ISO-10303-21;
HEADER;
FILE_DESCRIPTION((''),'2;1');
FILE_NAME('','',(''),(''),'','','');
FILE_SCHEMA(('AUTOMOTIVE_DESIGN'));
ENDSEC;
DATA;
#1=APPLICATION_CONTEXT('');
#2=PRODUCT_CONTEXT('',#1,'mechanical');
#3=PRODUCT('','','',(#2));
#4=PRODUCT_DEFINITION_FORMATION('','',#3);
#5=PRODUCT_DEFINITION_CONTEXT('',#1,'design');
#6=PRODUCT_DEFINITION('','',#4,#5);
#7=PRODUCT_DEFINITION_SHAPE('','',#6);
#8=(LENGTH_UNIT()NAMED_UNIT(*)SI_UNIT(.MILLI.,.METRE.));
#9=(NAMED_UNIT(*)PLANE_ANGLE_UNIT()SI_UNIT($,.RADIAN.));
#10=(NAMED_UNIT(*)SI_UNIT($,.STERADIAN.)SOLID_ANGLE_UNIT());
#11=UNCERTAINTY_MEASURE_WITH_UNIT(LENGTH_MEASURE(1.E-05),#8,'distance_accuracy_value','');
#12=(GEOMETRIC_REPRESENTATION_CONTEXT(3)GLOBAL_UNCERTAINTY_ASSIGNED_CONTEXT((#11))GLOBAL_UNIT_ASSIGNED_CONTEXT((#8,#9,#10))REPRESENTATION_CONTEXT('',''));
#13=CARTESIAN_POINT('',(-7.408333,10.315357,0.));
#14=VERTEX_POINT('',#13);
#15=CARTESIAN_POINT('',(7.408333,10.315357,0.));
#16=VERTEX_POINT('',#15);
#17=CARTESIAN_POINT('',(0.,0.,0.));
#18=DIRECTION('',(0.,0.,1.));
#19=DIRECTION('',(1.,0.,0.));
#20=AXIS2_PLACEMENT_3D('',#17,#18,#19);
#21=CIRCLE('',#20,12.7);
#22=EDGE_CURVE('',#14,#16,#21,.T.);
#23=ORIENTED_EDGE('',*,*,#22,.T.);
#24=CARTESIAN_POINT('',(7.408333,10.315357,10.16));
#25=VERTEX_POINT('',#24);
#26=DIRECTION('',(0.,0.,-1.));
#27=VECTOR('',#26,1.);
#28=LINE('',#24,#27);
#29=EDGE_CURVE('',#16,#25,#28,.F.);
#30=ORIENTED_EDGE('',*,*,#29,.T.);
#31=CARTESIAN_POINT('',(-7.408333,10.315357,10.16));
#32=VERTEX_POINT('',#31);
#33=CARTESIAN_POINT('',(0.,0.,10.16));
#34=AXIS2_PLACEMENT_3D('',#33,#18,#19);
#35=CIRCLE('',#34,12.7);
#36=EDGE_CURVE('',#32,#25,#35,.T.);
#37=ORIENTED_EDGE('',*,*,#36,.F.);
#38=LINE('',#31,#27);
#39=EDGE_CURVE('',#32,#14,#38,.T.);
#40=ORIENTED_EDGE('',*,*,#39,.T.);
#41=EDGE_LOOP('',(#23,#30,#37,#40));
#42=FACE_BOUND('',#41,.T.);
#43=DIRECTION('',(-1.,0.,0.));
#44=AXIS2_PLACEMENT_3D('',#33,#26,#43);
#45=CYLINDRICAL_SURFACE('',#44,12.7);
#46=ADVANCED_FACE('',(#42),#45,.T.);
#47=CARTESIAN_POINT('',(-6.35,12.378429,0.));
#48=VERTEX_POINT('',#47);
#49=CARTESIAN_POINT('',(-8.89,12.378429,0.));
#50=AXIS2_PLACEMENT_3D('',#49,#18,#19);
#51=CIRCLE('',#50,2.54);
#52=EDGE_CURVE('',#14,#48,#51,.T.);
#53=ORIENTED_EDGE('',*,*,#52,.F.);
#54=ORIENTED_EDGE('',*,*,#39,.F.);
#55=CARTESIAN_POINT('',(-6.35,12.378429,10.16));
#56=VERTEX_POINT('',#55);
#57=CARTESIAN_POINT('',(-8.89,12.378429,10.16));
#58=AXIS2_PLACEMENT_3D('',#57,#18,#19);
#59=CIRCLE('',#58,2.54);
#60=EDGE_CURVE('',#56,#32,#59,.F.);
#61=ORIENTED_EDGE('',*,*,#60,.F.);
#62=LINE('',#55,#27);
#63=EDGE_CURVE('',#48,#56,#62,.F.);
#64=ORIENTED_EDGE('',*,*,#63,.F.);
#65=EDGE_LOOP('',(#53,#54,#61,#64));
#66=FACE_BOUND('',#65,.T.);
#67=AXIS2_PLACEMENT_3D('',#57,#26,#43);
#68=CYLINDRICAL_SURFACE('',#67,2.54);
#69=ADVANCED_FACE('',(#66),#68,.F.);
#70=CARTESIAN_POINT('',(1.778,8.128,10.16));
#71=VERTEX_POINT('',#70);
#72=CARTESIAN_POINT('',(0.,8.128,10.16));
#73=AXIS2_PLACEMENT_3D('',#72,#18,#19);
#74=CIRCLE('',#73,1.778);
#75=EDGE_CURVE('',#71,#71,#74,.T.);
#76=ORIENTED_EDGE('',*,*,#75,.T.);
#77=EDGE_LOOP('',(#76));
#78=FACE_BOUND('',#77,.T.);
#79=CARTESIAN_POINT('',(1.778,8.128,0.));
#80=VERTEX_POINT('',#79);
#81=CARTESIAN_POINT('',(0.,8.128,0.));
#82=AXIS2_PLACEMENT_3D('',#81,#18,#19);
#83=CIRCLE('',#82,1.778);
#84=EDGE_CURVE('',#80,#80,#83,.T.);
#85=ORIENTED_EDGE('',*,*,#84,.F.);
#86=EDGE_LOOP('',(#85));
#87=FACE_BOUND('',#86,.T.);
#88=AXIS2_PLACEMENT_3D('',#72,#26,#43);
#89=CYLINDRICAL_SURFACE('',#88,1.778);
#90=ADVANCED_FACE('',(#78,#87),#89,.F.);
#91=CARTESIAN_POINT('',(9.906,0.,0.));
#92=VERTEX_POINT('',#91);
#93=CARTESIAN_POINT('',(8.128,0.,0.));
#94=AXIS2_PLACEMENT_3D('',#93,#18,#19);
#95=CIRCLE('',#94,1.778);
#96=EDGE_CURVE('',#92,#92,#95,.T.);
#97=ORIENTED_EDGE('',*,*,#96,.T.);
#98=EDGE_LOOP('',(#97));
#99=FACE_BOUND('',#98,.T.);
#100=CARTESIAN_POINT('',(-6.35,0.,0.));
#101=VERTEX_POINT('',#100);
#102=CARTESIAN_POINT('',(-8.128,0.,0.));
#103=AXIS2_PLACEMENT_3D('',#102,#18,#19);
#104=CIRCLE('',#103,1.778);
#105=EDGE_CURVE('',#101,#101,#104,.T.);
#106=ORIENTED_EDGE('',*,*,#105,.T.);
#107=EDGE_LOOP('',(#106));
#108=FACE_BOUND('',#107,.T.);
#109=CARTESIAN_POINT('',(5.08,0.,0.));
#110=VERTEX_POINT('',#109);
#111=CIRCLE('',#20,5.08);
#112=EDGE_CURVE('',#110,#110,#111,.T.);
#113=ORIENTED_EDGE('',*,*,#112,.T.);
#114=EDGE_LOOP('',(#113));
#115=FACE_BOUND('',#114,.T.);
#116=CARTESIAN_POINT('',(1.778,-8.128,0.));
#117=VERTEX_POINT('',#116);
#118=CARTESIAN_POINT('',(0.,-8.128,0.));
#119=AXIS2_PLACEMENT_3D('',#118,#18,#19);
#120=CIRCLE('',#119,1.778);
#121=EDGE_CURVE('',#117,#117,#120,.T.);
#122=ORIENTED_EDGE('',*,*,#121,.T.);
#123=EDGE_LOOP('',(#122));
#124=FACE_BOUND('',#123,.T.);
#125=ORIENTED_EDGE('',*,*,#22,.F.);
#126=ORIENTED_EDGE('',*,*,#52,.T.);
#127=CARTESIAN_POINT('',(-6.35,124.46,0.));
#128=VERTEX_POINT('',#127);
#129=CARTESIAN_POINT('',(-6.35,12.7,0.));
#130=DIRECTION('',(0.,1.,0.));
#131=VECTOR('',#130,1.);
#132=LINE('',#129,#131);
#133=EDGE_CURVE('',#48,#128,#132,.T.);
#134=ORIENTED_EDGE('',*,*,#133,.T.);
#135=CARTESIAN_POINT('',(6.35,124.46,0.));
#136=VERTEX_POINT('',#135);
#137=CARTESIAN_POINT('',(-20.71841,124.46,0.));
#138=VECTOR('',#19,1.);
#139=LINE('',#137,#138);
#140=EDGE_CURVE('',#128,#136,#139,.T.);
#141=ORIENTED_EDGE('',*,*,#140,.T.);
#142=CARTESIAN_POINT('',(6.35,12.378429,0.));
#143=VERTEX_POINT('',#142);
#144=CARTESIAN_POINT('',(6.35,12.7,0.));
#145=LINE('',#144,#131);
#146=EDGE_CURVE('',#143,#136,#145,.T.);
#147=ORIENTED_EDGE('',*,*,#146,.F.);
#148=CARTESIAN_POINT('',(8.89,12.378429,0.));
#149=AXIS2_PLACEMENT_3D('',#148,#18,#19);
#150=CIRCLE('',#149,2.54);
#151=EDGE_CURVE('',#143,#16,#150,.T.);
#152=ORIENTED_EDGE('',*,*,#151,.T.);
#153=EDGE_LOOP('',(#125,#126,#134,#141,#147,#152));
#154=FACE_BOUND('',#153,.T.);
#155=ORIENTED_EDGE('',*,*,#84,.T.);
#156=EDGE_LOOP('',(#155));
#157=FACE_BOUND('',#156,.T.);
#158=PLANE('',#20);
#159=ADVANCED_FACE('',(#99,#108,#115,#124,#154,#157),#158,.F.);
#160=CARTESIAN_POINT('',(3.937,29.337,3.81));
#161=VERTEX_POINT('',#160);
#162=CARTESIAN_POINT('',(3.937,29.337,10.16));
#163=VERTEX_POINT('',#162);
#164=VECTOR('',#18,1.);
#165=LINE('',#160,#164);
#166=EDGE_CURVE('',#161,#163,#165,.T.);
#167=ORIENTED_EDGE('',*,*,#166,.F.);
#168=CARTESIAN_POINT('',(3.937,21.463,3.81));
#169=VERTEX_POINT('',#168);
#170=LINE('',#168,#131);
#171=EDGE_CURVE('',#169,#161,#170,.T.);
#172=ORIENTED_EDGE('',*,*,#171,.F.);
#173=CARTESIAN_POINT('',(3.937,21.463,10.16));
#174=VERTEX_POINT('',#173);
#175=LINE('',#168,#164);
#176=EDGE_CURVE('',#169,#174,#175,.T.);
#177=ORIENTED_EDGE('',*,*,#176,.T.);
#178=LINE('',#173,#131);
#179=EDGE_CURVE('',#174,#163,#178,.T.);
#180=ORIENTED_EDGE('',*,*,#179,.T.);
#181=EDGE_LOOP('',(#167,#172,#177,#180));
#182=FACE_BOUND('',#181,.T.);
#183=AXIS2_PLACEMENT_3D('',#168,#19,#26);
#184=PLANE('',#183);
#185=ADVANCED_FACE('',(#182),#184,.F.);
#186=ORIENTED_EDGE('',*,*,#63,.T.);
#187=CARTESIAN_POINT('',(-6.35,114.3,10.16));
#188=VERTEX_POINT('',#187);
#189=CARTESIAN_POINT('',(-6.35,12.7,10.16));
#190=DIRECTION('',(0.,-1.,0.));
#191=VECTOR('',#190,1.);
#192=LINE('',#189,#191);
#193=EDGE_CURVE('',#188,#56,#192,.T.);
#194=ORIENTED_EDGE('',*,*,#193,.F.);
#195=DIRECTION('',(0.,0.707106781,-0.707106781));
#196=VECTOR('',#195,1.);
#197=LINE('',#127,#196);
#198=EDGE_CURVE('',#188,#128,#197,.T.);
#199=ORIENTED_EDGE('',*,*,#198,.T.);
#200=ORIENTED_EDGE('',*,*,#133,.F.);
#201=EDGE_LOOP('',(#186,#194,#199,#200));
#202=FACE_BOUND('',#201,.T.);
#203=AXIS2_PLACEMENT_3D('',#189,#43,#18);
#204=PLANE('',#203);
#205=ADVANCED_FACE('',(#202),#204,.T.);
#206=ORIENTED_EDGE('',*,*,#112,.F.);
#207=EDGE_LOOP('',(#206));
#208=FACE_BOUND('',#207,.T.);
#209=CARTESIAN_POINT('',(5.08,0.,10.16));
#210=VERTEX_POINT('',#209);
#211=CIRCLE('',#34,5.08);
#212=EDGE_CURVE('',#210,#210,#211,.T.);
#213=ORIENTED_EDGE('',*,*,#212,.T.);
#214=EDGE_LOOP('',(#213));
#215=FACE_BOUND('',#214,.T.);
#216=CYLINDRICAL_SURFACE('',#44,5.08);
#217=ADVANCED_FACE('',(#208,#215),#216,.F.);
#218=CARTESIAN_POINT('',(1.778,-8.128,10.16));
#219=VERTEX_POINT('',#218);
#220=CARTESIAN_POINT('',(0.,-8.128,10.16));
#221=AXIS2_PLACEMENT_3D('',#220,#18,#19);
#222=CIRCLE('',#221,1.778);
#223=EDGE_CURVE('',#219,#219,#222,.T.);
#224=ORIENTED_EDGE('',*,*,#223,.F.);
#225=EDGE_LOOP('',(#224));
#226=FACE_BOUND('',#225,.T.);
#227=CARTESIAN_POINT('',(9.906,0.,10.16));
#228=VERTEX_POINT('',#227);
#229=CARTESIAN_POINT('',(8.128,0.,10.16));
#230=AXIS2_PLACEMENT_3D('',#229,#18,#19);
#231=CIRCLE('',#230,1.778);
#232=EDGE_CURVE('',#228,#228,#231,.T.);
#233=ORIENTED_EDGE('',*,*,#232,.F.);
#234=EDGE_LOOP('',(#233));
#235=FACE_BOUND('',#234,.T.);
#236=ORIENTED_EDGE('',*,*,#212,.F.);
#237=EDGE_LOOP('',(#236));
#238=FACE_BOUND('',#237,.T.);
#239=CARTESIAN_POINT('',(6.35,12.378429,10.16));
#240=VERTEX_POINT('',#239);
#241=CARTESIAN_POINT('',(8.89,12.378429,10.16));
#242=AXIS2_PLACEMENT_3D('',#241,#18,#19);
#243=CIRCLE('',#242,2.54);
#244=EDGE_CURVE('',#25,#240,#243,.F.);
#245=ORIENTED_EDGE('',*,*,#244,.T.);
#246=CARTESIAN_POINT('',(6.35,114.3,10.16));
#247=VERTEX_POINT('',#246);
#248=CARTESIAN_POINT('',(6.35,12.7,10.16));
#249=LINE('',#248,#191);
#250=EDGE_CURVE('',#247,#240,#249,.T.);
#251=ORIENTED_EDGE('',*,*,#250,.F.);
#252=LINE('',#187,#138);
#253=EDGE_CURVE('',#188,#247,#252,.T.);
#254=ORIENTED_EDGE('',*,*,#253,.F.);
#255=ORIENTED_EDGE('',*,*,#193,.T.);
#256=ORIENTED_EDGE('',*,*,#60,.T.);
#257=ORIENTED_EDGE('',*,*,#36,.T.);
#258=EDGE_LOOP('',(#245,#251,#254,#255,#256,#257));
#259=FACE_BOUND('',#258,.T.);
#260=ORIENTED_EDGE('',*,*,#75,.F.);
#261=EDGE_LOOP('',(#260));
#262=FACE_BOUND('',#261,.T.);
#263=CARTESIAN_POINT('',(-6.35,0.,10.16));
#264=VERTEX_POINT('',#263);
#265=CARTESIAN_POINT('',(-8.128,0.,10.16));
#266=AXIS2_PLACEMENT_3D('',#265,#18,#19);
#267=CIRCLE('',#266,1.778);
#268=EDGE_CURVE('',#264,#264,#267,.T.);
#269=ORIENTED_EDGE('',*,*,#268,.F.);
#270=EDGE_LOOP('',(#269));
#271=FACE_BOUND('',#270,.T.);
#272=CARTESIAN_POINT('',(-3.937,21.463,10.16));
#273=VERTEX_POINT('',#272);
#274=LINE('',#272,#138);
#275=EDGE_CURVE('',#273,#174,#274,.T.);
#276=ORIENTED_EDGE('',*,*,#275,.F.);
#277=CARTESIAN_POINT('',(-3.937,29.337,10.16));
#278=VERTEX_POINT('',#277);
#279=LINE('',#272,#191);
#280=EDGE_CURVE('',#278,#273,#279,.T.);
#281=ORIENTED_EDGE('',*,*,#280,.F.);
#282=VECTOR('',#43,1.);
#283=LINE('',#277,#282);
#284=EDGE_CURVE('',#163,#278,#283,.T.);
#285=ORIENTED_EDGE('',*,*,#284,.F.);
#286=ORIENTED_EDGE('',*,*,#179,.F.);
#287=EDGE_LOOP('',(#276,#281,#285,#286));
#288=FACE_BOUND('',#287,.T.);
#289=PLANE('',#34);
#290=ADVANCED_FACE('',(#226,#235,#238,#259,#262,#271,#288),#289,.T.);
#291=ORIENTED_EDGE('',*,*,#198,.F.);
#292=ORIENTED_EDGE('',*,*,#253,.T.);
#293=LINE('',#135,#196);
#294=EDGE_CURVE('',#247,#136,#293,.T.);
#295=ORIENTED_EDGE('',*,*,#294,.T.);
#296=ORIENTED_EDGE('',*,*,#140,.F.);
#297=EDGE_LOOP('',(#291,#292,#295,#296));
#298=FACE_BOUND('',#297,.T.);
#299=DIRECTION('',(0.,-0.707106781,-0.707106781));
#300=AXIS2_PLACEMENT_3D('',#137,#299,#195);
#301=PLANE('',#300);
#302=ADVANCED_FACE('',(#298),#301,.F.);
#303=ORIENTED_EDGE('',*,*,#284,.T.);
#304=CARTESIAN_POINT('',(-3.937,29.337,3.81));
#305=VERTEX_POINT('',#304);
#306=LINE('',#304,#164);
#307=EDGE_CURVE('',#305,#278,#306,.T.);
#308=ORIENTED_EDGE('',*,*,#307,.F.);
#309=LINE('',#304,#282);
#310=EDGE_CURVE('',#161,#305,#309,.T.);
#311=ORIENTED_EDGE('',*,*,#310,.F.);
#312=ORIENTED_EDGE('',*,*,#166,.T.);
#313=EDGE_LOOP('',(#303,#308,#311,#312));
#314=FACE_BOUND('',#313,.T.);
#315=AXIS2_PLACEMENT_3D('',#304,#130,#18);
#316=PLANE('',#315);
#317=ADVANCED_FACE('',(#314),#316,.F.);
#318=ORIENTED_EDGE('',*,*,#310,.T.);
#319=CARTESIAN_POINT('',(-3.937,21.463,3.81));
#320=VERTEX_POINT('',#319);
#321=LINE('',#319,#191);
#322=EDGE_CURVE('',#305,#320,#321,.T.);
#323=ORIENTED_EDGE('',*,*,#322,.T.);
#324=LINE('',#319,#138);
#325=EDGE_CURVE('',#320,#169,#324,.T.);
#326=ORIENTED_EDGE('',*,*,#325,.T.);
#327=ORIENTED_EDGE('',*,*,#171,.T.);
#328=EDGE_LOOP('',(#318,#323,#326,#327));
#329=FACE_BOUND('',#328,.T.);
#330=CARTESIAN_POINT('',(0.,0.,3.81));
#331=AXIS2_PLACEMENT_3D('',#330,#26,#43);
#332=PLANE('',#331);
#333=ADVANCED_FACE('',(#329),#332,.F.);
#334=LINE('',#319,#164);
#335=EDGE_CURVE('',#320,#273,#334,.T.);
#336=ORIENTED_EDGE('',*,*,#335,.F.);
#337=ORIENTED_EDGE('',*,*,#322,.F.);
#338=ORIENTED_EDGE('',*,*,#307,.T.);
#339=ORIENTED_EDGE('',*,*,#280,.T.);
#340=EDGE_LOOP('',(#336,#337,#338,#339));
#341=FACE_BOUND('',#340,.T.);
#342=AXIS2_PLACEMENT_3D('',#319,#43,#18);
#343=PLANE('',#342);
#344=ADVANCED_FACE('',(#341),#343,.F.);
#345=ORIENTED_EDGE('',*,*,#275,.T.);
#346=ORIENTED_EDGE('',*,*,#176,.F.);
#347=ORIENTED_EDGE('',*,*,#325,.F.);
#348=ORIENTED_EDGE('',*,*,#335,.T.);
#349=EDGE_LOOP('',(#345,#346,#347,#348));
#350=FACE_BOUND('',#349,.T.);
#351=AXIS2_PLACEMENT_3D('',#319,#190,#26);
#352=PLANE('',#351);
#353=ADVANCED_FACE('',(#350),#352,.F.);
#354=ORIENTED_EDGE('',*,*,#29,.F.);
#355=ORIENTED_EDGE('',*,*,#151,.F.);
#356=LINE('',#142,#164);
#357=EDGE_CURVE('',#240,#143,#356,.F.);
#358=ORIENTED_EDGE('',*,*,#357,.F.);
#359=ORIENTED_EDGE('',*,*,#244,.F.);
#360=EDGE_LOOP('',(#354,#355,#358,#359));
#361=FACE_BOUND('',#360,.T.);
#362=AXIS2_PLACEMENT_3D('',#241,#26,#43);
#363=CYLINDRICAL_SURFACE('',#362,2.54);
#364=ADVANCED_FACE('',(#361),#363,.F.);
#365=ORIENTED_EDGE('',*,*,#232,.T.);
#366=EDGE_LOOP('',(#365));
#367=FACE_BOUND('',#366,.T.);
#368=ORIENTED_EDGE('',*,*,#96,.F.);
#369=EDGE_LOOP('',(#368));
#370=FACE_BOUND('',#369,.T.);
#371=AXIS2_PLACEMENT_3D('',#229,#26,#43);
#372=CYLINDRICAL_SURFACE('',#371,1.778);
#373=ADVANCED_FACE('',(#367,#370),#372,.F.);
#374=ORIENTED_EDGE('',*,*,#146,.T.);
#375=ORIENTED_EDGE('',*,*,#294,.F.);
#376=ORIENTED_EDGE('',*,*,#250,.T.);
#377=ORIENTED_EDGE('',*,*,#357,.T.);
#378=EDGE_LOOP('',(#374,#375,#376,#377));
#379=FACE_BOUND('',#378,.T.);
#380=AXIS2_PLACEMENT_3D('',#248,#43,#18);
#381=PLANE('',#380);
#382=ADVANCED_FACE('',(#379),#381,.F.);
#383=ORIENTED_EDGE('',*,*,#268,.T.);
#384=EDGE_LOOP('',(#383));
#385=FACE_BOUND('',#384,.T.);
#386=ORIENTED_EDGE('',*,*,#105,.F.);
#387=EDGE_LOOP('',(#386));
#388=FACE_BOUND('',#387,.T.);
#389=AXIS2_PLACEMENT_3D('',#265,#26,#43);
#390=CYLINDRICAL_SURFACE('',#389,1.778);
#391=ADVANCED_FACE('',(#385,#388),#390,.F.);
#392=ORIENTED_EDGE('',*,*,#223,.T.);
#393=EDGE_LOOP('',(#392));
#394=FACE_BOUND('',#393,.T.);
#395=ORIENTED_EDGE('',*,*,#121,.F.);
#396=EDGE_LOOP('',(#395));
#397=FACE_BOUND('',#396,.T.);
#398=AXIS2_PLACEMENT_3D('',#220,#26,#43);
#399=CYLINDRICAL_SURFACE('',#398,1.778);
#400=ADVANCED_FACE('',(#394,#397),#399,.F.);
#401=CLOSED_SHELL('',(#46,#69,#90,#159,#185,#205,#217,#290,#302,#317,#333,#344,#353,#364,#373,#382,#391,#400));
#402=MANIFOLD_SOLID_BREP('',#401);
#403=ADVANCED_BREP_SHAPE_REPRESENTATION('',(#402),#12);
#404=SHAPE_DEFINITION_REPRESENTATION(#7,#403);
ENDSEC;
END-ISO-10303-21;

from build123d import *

# Parameters (mm, degrees)
SKETCH1_R           = 5.08
SKETCH1_R_2         = 1.778
BOSS_EXTRUDE1_DEPTH = 10.16
BOSS_EXTRUDE3_DEPTH = 12.7
SKETCH3_W           = 7.874
SKETCH3_H           = 7.874
CUT_EXTRUDE1_DEPTH  = 6.35
FILLET1_R           = 2.54


with BuildPart() as part:
    # Sketch1 → Boss-Extrude1 (new body)
    with BuildSketch(Plane.XY):
        with BuildLine():
            Line((-6.35, 12.7), (-6.35, 10.998522628))
            ThreePointArc((-6.35, 10.998522628), (0, -12.7), (6.35, 10.998522628))
            Line((6.35, 10.998522628), (6.35, 12.7))
            Line((6.35, 12.7), (6.35, 114.3))
            Line((6.35, 114.3), (-6.35, 114.3))
            Line((-6.35, 114.3), (-6.35, 12.7))
        make_face()
        Circle(SKETCH1_R, mode=Mode.SUBTRACT)
        with Locations((0, 8.128)):
            Circle(SKETCH1_R_2, mode=Mode.SUBTRACT)
        with Locations((8.128, 0)):
            Circle(SKETCH1_R_2, mode=Mode.SUBTRACT)
        with Locations((0, -8.128)):
            Circle(SKETCH1_R_2, mode=Mode.SUBTRACT)
        with Locations((-8.128, 0)):
            Circle(SKETCH1_R_2, mode=Mode.SUBTRACT)
    extrude(amount=BOSS_EXTRUDE1_DEPTH)

    # Sketch2 → Boss-Extrude3 (add)
    with BuildSketch(Plane.ZY.offset(-6.35)):
        Polygon((0, 124.46), (10.16, 114.3), (0, 114.3), align=None)
    extrude(amount=BOSS_EXTRUDE3_DEPTH)

    # Sketch3 → Cut-Extrude1 (cut)
    with BuildSketch(Plane.XY.offset(10.16)):
        with Locations((0, 25.4)):
            Rectangle(SKETCH3_W, SKETCH3_H)
    extrude(amount=-CUT_EXTRUDE1_DEPTH, mode=Mode.SUBTRACT)

    # Fillet1
    fillet1_edges = [part.edges().sort_by_distance(p)[0] for p in [
        (6.35, 10.998522628, 5.08),
        (-6.35, 10.998522628, 5.08),
    ]]
    fillet(fillet1_edges, radius=FILLET1_R)


solid = part.part
